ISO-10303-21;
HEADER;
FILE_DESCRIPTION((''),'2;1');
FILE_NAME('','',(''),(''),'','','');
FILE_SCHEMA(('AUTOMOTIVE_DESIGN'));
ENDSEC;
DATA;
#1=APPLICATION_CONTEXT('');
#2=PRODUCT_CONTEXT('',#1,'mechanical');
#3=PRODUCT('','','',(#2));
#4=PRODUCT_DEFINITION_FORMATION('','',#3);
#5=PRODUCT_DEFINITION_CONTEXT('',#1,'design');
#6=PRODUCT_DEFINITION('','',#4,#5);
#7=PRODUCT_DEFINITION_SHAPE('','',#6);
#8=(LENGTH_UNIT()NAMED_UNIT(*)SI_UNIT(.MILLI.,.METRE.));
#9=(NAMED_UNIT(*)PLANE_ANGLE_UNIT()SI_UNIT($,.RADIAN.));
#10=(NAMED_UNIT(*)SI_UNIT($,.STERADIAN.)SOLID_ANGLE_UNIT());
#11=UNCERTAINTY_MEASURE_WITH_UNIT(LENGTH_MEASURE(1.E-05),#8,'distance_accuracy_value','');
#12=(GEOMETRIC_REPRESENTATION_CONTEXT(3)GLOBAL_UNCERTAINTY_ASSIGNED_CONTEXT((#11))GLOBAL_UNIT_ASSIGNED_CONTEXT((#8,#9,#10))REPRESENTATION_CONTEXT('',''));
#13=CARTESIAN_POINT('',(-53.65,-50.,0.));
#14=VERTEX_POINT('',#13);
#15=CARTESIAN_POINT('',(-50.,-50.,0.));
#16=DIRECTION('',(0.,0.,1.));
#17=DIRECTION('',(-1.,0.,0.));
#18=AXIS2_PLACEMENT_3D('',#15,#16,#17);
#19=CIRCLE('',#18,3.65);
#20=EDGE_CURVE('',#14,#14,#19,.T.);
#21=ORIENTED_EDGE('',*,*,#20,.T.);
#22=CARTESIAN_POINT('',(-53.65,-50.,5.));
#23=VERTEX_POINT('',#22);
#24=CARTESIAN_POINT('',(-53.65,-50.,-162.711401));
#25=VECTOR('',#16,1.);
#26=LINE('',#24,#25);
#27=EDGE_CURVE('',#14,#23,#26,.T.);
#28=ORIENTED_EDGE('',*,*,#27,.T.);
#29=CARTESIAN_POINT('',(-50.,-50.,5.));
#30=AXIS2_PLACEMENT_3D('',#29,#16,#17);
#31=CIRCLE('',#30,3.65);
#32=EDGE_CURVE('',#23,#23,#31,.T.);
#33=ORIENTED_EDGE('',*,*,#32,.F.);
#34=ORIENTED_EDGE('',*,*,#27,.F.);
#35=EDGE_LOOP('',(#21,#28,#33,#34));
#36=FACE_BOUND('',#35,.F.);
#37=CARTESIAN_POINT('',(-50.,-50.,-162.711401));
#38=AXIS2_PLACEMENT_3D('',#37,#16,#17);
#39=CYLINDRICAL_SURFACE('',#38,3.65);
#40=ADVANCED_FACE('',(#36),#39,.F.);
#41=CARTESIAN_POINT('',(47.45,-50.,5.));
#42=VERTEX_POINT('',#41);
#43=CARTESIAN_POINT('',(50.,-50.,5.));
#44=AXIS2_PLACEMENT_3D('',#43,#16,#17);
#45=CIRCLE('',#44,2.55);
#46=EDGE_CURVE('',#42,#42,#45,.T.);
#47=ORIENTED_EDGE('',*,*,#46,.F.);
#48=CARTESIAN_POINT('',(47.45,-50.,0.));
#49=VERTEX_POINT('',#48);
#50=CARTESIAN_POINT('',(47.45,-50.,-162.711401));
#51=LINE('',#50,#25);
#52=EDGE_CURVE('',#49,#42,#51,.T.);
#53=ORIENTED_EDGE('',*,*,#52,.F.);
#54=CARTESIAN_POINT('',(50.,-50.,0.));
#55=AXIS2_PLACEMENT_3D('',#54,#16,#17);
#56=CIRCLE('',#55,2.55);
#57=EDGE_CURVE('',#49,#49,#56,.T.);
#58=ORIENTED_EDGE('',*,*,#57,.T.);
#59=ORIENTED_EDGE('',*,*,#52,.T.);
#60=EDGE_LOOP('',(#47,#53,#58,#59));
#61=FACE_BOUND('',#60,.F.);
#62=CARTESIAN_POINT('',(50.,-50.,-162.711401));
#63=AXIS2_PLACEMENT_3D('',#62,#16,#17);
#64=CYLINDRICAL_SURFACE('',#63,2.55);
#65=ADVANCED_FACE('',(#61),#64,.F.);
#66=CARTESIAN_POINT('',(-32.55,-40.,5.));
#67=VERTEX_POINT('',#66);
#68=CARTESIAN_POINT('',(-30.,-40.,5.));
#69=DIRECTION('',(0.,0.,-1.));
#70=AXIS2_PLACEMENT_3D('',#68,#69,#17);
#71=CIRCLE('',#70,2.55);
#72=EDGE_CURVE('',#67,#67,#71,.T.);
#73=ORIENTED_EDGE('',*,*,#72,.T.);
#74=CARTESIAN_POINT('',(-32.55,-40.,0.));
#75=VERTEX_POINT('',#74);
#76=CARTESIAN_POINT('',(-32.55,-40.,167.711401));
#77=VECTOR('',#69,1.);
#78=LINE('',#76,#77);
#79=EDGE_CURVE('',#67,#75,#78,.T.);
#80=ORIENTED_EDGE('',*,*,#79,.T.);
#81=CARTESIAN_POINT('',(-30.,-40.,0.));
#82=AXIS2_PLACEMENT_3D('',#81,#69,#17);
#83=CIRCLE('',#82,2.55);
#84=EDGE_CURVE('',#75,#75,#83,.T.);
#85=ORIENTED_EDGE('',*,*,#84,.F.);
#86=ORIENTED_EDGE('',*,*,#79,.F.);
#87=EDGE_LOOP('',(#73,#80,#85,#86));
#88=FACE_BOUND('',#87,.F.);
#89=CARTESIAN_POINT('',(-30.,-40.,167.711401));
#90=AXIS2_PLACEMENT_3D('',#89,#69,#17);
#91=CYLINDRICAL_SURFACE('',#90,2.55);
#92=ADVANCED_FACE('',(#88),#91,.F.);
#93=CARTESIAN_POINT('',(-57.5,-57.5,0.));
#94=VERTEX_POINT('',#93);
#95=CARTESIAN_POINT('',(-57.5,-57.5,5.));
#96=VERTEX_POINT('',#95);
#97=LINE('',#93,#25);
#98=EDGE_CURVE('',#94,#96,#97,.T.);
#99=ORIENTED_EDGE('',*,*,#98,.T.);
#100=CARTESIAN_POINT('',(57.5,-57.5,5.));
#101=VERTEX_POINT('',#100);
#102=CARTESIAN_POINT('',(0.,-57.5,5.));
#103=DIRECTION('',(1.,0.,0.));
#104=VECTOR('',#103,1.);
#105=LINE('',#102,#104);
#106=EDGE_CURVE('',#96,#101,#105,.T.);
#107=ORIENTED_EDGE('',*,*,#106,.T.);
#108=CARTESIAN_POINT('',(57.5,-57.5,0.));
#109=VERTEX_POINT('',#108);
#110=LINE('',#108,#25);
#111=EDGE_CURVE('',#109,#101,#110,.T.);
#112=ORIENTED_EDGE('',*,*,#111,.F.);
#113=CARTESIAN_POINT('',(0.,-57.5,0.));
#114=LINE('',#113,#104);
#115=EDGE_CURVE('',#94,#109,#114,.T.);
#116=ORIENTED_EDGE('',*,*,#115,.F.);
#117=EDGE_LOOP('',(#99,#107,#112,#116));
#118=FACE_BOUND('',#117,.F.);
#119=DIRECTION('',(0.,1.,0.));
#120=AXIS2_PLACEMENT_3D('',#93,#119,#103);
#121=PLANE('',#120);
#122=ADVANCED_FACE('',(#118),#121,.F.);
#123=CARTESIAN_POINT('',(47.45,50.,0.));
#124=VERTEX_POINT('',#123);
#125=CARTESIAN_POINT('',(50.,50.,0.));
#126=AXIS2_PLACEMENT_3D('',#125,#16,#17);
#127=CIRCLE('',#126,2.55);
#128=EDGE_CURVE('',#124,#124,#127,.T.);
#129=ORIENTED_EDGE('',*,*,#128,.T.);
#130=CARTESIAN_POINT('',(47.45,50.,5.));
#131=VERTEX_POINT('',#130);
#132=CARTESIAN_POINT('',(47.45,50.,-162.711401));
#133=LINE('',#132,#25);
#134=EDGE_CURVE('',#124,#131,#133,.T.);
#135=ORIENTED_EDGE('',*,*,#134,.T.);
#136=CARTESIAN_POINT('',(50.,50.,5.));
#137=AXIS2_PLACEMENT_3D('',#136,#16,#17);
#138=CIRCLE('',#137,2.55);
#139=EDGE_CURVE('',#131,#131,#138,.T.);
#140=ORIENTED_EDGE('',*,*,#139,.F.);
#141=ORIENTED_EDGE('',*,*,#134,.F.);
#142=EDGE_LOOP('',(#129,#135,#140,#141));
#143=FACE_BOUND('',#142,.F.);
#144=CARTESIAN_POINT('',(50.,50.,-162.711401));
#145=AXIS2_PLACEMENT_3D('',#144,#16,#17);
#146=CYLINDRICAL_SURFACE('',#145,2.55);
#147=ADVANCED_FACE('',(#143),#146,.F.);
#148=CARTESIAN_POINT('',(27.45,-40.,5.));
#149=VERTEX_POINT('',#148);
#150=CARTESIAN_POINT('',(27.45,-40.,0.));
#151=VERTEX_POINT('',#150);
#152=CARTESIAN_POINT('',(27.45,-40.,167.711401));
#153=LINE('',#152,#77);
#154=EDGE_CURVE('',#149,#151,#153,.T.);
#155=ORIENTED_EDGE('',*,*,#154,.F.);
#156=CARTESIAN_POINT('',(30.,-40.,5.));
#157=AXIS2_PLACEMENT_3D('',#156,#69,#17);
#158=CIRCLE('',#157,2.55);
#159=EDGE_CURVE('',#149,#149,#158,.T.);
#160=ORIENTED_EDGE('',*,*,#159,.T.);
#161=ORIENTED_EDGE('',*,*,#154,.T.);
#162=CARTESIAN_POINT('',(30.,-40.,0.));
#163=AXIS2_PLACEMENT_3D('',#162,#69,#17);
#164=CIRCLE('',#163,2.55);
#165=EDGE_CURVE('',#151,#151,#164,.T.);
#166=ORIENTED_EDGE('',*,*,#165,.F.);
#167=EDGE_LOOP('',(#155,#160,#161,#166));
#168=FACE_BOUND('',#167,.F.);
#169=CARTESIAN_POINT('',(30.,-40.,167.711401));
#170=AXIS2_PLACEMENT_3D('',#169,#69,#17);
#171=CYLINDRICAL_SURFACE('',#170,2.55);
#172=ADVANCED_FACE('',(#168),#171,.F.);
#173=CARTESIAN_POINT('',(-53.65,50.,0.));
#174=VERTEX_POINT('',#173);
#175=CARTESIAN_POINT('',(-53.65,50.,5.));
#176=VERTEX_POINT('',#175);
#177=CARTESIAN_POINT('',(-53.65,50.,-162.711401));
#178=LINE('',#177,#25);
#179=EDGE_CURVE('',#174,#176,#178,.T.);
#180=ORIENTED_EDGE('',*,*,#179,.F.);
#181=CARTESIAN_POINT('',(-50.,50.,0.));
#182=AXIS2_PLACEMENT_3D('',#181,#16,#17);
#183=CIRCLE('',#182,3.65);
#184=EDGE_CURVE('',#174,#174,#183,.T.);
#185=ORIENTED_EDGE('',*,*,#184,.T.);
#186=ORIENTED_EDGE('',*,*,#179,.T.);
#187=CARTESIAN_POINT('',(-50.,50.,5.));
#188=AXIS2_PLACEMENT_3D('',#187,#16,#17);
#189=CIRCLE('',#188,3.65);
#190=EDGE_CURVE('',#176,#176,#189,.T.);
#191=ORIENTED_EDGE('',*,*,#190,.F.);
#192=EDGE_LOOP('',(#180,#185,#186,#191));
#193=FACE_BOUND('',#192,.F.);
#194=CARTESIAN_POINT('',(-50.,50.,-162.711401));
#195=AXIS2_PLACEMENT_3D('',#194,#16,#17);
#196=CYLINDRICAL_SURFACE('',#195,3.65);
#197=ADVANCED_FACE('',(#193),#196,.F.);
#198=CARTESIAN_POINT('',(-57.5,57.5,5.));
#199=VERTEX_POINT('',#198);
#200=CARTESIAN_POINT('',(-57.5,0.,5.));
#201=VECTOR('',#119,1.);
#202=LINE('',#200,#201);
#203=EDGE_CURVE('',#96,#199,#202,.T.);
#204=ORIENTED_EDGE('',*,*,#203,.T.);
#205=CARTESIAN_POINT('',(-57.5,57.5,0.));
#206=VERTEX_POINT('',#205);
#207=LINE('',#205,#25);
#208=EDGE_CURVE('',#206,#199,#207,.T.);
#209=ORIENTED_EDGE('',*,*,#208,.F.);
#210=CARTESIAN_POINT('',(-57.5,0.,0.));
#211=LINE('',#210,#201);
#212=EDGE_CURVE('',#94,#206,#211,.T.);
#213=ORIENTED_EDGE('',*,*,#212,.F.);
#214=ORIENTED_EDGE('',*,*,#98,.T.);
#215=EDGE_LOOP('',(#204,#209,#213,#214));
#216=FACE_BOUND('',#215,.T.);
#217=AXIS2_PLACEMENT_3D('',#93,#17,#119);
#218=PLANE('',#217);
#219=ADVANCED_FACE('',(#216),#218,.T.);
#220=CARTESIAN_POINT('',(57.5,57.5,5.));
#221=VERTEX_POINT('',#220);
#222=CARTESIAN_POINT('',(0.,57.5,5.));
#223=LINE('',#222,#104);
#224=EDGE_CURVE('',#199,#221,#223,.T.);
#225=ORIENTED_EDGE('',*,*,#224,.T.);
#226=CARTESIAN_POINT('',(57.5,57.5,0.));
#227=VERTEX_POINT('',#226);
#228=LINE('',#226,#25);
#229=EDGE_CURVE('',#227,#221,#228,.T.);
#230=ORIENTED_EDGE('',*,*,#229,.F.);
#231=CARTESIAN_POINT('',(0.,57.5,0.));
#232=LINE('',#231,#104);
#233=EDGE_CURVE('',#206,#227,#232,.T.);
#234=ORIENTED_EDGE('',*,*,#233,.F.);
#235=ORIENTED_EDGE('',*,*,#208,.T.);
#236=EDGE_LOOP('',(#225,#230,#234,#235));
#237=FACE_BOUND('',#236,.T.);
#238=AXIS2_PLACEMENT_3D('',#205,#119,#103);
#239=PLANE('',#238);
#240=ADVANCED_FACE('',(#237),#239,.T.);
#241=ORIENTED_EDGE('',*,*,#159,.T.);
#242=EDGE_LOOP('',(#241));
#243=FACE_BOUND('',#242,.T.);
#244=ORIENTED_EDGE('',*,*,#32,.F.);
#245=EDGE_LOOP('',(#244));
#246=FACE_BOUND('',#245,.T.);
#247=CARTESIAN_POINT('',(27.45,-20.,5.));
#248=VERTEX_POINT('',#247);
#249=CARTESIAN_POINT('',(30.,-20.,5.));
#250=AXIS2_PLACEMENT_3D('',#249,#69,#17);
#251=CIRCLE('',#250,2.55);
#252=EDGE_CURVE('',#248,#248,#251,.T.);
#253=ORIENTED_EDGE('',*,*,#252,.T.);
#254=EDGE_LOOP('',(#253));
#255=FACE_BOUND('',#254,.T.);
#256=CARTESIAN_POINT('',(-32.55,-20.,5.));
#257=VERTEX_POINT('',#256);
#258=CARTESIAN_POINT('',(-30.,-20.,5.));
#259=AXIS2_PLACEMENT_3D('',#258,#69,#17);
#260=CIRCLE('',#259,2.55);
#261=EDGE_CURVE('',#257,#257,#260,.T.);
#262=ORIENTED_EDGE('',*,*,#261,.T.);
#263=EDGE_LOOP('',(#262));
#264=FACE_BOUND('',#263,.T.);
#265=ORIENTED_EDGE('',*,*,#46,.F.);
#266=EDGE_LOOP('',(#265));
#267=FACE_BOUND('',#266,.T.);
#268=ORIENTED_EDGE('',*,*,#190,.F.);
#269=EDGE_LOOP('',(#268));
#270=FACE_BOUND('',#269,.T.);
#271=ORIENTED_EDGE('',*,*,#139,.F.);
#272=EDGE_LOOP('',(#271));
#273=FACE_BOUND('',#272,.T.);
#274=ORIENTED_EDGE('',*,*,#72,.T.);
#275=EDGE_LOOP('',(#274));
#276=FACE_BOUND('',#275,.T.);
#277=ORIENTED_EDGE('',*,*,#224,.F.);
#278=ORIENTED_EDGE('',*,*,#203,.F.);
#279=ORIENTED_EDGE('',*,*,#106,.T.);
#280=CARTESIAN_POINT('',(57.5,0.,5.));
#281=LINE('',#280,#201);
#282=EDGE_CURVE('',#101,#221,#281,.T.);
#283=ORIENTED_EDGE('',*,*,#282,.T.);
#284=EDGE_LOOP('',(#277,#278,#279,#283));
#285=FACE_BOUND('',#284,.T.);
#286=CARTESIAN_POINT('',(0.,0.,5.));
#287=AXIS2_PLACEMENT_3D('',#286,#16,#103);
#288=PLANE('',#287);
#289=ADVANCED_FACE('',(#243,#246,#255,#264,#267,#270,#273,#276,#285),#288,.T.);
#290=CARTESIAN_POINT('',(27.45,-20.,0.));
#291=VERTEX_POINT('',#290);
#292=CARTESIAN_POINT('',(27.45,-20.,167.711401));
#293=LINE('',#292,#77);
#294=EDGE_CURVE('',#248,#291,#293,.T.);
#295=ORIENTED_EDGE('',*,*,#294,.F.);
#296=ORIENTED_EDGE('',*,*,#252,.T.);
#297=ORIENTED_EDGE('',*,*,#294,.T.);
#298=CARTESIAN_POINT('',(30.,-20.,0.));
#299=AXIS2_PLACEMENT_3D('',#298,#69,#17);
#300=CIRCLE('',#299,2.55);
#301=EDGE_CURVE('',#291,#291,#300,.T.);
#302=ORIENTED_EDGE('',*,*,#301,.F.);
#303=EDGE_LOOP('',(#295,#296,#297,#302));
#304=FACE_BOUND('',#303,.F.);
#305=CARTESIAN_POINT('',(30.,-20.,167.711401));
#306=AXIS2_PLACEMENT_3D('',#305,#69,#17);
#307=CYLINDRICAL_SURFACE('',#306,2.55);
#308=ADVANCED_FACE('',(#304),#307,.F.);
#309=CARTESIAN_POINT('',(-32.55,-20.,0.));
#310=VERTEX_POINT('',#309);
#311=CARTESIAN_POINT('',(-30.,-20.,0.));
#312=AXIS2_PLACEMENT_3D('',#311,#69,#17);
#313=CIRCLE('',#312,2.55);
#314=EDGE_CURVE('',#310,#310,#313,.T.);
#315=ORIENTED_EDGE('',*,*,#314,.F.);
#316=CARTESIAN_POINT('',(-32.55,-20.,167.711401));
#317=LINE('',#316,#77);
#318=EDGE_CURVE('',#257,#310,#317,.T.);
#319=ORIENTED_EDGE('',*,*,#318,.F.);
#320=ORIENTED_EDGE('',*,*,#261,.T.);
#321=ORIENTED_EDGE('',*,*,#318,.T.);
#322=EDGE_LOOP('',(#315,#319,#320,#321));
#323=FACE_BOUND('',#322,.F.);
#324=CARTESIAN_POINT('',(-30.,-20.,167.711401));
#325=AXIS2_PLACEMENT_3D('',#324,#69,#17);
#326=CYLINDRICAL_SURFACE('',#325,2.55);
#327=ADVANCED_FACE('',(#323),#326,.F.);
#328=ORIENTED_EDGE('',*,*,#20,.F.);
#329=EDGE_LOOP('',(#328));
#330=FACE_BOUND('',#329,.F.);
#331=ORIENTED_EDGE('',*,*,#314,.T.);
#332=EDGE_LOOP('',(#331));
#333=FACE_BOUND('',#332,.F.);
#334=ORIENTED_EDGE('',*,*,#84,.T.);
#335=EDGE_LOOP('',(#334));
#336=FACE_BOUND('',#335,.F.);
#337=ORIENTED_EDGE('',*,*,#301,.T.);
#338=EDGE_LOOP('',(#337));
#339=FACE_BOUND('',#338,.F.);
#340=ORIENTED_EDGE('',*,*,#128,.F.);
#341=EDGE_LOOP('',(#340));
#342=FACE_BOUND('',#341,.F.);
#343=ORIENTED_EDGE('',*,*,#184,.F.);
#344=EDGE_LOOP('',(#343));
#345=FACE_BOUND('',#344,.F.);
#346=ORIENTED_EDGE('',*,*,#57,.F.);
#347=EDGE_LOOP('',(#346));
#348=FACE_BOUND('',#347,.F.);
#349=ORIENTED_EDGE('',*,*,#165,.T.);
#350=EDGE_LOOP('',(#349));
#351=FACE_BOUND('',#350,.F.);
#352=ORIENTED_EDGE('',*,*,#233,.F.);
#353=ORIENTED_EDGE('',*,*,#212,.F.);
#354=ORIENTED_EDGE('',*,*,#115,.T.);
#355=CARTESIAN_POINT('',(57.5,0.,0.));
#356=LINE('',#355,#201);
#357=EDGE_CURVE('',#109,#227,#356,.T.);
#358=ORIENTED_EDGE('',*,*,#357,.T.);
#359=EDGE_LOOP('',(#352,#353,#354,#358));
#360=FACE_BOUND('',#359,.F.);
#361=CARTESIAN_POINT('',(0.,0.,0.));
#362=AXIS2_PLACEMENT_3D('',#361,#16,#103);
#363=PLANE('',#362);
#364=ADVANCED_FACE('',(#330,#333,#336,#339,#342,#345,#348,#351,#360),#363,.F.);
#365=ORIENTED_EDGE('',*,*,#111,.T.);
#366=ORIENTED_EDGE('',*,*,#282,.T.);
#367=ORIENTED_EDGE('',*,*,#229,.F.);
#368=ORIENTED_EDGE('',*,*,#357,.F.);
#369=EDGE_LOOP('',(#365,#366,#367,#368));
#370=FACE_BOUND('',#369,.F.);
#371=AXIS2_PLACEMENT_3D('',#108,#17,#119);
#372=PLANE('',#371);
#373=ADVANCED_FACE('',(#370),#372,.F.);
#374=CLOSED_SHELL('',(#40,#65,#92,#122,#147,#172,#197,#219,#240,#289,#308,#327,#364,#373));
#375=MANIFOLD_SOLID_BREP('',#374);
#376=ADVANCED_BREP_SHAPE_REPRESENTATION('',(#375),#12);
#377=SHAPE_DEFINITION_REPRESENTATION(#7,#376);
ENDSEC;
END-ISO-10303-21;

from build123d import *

# Parameters (mm, degrees)
F1_W     = 115
F1_H     = 115
F1_W_2   = 100
F1_H_2   = 100
F2_DEPTH = 5
F3_D     = 5.1
F0_D     = 7.3
F5_D     = 5.1


with BuildPart() as f2:
    # F1 (on Top) → F2 (new body)
    with BuildSketch(Plane.XY):
        Rectangle(F1_W, F1_H)
        Rectangle(F1_W_2, F1_H_2, mode=Mode.SUBTRACT)
        Rectangle(F1_W_2, F1_H_2)
    extrude(amount=F2_DEPTH)

    # F3 (through all)
    with Locations(Plane(origin=(0, 0, 0), x_dir=(1, 0, 0), z_dir=(0, 0, -1))):
        with Locations((50, 50), (50, -50)):
            Hole(F3_D / 2)

    # F0 (through all)
    with Locations(Plane(origin=(0, 0, 0), x_dir=(1, 0, 0), z_dir=(0, 0, -1))):
        with Locations((-50, -50), (-50, 50)):
            Hole(F0_D / 2)

    # F5 (through all)
    with Locations(Plane.XY.offset(5)):
        with Locations((30, -20), (30, -40), (-30, -20), (-30, -40)):
            Hole(F5_D / 2)


solid = f2.part
